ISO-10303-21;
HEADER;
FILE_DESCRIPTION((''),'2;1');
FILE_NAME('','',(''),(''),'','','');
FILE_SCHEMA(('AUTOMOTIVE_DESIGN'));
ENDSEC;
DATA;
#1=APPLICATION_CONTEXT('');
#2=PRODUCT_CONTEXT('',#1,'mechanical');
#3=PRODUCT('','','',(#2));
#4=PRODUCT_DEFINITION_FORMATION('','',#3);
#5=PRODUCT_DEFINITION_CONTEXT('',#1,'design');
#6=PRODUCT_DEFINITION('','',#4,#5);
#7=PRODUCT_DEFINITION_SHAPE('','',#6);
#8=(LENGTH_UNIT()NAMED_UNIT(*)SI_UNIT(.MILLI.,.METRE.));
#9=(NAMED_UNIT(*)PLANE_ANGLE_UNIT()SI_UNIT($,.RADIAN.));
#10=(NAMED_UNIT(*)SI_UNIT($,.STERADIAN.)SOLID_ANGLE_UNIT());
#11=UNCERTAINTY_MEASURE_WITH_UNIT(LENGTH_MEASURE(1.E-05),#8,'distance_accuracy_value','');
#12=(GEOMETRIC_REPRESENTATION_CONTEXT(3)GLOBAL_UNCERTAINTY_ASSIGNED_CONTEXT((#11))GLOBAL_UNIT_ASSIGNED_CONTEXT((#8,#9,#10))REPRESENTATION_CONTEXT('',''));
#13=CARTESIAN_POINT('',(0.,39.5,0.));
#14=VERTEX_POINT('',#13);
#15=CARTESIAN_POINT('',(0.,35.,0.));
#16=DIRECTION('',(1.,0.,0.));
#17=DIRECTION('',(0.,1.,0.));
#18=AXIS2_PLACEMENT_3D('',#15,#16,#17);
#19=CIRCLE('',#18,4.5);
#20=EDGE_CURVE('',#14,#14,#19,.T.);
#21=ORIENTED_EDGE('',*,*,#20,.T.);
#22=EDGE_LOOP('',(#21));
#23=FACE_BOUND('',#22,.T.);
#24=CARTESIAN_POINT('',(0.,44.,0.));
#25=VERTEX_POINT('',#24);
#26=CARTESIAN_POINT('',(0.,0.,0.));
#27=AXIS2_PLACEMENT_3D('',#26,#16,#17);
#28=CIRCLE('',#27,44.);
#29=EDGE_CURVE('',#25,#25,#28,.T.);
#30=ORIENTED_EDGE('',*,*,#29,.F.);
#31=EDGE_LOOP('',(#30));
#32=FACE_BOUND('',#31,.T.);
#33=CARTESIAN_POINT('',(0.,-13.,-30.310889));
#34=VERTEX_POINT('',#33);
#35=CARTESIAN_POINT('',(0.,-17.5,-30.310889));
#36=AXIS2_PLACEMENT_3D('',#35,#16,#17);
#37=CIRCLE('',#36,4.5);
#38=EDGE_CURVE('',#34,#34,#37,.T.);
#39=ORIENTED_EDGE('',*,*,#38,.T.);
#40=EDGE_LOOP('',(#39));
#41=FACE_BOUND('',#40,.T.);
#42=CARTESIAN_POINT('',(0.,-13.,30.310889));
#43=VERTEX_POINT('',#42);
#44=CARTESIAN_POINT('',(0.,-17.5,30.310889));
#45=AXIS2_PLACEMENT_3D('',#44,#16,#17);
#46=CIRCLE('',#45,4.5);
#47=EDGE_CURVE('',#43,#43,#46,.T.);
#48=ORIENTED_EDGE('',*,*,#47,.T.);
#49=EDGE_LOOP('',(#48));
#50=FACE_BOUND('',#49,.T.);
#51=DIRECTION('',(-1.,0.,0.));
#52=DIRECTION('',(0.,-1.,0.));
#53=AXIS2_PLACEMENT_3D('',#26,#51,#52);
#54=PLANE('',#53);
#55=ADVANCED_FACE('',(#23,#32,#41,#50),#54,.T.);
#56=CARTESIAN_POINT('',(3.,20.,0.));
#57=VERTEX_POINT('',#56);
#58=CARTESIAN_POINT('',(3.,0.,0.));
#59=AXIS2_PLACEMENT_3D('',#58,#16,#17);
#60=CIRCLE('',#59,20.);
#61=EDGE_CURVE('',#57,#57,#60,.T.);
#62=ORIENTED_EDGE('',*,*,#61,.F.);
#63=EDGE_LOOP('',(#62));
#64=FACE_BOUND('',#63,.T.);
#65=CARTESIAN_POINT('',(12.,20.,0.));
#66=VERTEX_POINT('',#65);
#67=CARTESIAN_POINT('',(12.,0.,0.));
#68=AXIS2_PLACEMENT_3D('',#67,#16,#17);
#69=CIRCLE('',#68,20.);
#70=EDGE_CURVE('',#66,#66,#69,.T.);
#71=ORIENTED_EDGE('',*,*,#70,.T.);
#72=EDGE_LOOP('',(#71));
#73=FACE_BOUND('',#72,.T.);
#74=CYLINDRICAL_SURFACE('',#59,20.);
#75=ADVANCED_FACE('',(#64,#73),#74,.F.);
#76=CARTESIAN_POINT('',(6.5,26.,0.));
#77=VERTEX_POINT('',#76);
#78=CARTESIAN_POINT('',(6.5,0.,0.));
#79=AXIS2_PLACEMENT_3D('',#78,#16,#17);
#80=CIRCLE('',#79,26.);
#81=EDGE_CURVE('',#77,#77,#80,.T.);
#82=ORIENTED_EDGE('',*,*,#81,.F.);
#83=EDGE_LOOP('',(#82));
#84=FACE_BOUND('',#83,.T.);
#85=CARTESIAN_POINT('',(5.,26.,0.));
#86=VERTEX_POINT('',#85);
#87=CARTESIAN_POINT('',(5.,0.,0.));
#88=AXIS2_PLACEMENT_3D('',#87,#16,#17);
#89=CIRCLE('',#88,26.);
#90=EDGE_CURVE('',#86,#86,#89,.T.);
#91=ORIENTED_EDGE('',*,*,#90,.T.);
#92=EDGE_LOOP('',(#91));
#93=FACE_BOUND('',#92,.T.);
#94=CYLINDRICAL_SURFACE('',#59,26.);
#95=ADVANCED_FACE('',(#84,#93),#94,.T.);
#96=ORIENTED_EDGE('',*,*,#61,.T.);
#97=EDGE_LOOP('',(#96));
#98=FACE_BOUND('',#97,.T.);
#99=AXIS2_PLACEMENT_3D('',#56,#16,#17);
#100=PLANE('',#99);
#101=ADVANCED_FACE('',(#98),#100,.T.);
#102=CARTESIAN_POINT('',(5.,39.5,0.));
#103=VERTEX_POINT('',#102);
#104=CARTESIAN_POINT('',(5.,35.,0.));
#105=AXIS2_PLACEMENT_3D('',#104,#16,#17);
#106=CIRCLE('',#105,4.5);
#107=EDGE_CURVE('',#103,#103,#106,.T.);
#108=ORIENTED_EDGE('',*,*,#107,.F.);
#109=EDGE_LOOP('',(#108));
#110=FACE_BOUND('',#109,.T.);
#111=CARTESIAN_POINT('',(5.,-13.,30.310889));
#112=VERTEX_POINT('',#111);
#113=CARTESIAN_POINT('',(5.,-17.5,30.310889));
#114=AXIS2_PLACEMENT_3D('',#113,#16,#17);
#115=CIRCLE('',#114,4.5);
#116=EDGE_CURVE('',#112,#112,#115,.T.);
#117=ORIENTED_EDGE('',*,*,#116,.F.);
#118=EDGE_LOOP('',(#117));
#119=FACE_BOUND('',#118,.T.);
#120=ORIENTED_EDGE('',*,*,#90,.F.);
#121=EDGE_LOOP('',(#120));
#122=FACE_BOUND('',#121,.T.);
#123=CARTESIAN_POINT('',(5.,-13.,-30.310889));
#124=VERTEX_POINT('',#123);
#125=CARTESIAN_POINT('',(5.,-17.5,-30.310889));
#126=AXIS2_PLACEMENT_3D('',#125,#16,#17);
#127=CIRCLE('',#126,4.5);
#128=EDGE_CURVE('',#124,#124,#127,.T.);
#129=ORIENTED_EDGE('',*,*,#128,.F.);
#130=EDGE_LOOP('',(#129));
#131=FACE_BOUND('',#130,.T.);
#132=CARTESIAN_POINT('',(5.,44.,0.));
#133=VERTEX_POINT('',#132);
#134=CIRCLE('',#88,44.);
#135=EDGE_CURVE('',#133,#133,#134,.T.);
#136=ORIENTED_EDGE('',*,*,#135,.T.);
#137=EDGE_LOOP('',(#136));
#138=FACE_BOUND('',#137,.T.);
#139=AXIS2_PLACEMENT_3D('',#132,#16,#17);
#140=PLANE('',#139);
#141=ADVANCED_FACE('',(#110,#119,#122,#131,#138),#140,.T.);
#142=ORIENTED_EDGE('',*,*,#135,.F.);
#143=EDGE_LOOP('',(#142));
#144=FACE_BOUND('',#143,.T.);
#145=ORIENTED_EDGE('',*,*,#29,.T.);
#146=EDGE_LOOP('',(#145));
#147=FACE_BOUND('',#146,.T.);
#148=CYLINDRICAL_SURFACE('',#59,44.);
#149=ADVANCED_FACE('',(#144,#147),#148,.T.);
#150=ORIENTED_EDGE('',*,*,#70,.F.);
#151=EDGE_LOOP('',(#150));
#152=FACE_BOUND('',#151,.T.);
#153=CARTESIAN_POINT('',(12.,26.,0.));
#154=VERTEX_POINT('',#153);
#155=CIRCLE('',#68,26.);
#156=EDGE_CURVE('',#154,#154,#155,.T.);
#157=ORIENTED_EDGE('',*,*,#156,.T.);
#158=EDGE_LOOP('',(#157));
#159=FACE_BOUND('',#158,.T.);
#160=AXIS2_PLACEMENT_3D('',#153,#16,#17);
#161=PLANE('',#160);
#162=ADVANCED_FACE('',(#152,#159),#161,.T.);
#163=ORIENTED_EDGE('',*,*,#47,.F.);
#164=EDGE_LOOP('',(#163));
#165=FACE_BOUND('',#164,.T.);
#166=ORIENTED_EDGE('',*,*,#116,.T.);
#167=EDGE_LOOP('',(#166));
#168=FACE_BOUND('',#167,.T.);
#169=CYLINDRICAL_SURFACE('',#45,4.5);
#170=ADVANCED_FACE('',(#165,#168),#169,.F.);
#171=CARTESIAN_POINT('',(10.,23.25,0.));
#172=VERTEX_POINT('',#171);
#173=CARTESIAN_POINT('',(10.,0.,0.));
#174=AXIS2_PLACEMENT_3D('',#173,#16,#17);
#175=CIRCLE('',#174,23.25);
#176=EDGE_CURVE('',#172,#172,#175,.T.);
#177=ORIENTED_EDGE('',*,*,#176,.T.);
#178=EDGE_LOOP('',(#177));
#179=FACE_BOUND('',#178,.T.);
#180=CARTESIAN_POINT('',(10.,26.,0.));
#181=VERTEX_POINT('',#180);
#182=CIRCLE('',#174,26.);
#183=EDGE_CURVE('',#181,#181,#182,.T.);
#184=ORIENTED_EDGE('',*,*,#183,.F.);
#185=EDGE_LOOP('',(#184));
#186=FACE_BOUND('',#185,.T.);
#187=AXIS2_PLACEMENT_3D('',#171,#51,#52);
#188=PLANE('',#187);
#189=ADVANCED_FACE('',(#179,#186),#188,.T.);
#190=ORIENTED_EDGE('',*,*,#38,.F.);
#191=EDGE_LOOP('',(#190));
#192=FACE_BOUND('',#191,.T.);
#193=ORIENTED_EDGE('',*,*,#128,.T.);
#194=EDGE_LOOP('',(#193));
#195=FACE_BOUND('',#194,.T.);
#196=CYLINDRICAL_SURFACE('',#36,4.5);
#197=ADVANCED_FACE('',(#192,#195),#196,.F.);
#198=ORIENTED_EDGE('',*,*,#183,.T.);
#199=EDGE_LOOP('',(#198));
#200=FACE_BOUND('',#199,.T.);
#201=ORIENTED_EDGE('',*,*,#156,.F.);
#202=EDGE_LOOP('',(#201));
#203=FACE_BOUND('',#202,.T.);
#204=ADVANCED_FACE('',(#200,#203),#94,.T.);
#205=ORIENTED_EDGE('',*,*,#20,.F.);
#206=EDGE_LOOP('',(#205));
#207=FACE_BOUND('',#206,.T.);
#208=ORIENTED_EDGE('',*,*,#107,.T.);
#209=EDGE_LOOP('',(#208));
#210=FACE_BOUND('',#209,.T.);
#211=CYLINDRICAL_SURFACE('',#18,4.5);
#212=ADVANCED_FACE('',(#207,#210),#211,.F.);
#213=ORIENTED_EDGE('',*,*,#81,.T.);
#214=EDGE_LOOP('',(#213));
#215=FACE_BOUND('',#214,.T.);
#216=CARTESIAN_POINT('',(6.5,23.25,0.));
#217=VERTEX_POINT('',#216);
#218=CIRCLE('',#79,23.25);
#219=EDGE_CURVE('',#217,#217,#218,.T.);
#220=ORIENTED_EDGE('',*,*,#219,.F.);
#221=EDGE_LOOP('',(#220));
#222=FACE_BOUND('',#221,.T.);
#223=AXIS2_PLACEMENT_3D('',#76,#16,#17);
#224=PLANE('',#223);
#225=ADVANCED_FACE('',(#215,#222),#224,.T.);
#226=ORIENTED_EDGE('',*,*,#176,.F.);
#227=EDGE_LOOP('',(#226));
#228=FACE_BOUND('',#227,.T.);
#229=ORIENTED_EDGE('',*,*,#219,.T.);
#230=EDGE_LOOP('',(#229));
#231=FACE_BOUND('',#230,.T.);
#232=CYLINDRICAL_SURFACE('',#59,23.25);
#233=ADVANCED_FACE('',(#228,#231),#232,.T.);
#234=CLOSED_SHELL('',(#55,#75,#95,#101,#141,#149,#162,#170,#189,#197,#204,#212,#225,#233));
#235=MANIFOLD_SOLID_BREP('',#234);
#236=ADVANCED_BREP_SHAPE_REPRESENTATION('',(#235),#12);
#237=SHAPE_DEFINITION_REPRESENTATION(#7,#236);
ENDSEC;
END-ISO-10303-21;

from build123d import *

# Parameters (mm, degrees)
SCHIZZO2_R               = 4.5
TAGLIO_ESTRUSIONE1_DEPTH = 63.617888818


with BuildPart() as part:
    # Schizzo1 → Rivoluzione1 (revolve)
    with BuildSketch(Plane.XY):
        Polygon((0, 0), (0, 44), (5, 44), (5, 26), (6.5, 26), (6.5, 23.25), (10, 23.25), (10, 26), (12, 26), (12, 20), (3, 20), (3, 0), align=None)
    revolve(axis=Axis((3, 0, 0), (-1, 0, 0)))

    # Schizzo2 → Taglio-Estrusione1 (cut, through all)
    with BuildSketch(Plane(origin=(5, 0, 0), x_dir=(0, 0, -1), z_dir=(1, 0, 0))):
        with Locations(Location((0, 35, 0), (0, 0, 90))):
            Circle(SCHIZZO2_R)
        with Locations(Location((30.310889132, -17.5, 0), (0, 0, 90))):
            Circle(SCHIZZO2_R)
        with Locations(Location((-30.310889132, -17.5, 0), (0, 0, 90))):
            Circle(SCHIZZO2_R)
    extrude(amount=-TAGLIO_ESTRUSIONE1_DEPTH, mode=Mode.SUBTRACT)


solid = part.part
